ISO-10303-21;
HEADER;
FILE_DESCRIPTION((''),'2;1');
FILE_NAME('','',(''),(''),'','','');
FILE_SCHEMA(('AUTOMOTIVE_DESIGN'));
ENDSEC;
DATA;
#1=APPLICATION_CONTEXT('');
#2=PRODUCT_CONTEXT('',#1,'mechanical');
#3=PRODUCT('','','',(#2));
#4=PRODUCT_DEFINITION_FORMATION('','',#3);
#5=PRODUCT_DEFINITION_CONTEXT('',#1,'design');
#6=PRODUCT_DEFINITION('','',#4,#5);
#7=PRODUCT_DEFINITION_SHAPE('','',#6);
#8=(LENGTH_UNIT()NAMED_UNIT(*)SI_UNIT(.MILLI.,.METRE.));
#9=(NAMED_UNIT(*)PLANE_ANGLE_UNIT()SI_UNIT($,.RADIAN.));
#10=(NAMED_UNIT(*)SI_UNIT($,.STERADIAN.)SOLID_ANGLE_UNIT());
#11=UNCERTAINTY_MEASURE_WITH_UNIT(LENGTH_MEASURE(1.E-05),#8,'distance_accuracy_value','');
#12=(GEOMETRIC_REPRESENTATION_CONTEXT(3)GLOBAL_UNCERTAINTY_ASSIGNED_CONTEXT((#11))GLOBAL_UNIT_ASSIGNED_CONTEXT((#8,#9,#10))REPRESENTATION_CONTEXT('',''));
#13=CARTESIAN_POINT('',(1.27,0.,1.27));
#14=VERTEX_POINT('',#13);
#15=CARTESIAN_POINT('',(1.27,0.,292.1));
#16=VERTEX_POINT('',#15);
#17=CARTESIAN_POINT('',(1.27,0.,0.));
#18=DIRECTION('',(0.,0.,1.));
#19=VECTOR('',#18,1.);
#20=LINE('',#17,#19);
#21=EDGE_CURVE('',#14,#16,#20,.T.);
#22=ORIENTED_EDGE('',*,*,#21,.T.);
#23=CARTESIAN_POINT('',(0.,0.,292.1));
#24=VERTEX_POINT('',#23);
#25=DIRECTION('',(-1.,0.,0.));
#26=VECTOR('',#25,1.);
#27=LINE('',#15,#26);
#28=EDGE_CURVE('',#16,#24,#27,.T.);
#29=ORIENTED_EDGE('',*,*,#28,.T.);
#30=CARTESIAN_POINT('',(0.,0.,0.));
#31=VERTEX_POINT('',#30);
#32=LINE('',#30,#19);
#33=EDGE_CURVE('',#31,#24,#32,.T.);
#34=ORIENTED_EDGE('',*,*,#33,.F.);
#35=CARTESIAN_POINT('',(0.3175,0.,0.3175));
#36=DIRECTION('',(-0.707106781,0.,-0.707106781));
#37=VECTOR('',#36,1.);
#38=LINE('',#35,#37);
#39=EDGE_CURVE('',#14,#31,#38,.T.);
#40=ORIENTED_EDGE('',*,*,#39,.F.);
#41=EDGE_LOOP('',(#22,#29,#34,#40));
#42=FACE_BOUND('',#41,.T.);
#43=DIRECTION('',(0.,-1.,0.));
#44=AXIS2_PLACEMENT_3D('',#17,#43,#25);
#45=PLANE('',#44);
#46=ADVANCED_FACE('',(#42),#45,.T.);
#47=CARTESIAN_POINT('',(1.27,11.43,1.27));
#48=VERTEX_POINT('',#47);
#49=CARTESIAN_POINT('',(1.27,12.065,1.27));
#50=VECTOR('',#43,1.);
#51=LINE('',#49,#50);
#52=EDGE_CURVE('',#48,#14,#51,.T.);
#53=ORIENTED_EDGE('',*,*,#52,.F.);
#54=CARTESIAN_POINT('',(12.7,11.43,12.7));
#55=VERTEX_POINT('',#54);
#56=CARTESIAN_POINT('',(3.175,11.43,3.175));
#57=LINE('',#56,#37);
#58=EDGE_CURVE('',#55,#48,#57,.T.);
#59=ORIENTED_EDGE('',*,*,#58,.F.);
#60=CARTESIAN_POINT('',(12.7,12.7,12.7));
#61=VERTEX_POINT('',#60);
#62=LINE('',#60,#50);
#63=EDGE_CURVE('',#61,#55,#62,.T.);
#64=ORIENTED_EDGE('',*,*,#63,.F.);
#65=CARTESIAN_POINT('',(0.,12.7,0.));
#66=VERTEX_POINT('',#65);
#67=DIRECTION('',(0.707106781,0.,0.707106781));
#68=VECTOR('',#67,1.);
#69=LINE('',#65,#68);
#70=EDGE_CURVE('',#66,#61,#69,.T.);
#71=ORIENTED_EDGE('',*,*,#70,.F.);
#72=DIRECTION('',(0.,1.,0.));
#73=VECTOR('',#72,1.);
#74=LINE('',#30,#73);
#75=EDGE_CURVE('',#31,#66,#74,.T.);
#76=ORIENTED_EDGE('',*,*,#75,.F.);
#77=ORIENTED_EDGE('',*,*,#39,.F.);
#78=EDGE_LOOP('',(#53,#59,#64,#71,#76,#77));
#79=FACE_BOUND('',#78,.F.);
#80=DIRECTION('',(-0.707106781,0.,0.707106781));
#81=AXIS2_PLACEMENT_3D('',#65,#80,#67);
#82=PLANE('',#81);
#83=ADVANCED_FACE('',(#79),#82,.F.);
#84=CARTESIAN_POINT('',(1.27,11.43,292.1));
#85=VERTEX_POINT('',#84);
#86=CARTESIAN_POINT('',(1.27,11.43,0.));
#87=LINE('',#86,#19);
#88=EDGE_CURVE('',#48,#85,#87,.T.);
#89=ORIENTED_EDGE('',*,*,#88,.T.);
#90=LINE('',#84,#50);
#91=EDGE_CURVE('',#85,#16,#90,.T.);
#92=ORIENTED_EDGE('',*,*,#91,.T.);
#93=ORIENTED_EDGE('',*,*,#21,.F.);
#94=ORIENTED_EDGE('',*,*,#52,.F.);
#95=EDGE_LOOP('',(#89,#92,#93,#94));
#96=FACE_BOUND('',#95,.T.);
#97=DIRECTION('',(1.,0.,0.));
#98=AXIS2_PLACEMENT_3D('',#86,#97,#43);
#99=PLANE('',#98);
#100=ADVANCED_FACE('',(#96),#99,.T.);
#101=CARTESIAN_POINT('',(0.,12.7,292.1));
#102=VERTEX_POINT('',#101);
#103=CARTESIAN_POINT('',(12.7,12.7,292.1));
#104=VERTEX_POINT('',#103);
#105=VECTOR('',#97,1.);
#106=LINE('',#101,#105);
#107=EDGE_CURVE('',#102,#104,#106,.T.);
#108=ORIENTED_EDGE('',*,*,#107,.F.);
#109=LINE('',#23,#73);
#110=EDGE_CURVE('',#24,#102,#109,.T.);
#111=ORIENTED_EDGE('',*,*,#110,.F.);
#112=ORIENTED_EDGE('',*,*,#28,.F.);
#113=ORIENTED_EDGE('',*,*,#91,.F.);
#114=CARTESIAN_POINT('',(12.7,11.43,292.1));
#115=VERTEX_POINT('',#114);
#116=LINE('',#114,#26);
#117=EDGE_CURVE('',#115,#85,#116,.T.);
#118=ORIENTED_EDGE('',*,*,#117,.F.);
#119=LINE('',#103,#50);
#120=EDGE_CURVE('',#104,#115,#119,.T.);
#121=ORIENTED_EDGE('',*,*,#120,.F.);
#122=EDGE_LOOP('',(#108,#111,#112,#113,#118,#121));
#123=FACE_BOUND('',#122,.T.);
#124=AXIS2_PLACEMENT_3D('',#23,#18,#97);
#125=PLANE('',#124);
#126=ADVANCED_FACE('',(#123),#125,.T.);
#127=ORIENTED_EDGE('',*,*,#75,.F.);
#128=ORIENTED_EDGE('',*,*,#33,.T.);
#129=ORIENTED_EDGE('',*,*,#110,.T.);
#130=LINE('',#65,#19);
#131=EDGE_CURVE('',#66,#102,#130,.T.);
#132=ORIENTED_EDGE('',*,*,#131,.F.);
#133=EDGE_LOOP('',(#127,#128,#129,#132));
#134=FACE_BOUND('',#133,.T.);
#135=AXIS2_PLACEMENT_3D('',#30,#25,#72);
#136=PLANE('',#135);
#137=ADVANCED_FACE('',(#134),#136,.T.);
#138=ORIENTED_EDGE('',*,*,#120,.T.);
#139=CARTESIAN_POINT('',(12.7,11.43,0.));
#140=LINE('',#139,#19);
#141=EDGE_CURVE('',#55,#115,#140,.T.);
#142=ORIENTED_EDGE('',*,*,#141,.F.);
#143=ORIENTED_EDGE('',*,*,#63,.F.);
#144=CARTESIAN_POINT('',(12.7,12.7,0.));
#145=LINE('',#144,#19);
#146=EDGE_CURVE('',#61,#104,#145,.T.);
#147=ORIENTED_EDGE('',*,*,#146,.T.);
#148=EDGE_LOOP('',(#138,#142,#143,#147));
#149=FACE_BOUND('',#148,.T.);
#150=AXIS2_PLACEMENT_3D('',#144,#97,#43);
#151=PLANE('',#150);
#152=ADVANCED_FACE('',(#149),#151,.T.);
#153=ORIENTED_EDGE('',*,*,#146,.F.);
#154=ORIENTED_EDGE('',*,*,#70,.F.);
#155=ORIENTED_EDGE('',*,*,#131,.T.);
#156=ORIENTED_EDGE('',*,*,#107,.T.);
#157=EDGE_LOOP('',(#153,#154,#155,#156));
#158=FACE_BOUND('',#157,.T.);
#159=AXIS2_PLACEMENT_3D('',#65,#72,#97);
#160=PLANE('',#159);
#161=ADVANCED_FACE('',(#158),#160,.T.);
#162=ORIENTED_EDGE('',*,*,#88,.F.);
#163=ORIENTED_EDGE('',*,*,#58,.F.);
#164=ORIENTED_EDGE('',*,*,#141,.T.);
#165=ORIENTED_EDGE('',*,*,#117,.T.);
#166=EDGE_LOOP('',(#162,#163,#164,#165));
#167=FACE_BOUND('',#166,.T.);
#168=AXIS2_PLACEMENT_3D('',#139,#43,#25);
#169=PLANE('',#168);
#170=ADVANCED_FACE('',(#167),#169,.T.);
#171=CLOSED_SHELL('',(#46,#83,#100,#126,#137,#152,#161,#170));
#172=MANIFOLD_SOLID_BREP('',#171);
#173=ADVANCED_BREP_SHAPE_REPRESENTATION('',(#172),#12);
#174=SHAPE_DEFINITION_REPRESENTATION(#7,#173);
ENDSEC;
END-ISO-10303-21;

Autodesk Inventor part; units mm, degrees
ref_plane "YZ Plane" through (0, 0, 0) normal (1, 0, 0) x (0, 1, 0)
ref_plane "XZ Plane" through (0, 0, 0) normal (0, 1, 0) x (-1, 0, 0)
ref_plane "XY Plane" through (0, 0, 0) normal (0, 0, 1) x (1, 0, 0)
sketch "Sketch1" plane through (0, 0, 0) normal (0, 0, 1) x (1, 0, 0)
  line L0 (0, 0) -> (0, 12.7)
  line L1 (0, 12.7) -> (12.7, 12.7)
  line L2 (12.7, 12.7) -> (12.7, 11.43)
  line L3 (12.7, 11.43) -> (1.27, 11.43)
  line L4 (1.27, 11.43) -> (1.27, 0)
  line L5 (1.27, 0) -> (0, 0)
  dimension "d0" = 12.7
  dimension "d1" = 12.7
  dimension "d2" = 1.27
  dimension "d3" = 11.43
extrude "Extrusion1" add sketch "Sketch1" along normal blind 292.1
sketch "Sketch2" plane through (0, 12.7, 0) normal (0, 1, 0) x (1, 0, 0)
  line L0 (0, 0) -> (12.7, 0) projected
  line L1 (12.7, -292.1) -> (0, -292.1) projected
  line L2 (12.7, 0) -> (12.7, -292.1) projected
  line L3 (0, 0) -> (12.7, -12.7)
  dimension "d6" = 45
extrude "Extrusion2" cut sketch "Sketch2" against normal blind 228.6
properties part number "Aluminum Angle 3 Right" material "Aluminum 6061"
